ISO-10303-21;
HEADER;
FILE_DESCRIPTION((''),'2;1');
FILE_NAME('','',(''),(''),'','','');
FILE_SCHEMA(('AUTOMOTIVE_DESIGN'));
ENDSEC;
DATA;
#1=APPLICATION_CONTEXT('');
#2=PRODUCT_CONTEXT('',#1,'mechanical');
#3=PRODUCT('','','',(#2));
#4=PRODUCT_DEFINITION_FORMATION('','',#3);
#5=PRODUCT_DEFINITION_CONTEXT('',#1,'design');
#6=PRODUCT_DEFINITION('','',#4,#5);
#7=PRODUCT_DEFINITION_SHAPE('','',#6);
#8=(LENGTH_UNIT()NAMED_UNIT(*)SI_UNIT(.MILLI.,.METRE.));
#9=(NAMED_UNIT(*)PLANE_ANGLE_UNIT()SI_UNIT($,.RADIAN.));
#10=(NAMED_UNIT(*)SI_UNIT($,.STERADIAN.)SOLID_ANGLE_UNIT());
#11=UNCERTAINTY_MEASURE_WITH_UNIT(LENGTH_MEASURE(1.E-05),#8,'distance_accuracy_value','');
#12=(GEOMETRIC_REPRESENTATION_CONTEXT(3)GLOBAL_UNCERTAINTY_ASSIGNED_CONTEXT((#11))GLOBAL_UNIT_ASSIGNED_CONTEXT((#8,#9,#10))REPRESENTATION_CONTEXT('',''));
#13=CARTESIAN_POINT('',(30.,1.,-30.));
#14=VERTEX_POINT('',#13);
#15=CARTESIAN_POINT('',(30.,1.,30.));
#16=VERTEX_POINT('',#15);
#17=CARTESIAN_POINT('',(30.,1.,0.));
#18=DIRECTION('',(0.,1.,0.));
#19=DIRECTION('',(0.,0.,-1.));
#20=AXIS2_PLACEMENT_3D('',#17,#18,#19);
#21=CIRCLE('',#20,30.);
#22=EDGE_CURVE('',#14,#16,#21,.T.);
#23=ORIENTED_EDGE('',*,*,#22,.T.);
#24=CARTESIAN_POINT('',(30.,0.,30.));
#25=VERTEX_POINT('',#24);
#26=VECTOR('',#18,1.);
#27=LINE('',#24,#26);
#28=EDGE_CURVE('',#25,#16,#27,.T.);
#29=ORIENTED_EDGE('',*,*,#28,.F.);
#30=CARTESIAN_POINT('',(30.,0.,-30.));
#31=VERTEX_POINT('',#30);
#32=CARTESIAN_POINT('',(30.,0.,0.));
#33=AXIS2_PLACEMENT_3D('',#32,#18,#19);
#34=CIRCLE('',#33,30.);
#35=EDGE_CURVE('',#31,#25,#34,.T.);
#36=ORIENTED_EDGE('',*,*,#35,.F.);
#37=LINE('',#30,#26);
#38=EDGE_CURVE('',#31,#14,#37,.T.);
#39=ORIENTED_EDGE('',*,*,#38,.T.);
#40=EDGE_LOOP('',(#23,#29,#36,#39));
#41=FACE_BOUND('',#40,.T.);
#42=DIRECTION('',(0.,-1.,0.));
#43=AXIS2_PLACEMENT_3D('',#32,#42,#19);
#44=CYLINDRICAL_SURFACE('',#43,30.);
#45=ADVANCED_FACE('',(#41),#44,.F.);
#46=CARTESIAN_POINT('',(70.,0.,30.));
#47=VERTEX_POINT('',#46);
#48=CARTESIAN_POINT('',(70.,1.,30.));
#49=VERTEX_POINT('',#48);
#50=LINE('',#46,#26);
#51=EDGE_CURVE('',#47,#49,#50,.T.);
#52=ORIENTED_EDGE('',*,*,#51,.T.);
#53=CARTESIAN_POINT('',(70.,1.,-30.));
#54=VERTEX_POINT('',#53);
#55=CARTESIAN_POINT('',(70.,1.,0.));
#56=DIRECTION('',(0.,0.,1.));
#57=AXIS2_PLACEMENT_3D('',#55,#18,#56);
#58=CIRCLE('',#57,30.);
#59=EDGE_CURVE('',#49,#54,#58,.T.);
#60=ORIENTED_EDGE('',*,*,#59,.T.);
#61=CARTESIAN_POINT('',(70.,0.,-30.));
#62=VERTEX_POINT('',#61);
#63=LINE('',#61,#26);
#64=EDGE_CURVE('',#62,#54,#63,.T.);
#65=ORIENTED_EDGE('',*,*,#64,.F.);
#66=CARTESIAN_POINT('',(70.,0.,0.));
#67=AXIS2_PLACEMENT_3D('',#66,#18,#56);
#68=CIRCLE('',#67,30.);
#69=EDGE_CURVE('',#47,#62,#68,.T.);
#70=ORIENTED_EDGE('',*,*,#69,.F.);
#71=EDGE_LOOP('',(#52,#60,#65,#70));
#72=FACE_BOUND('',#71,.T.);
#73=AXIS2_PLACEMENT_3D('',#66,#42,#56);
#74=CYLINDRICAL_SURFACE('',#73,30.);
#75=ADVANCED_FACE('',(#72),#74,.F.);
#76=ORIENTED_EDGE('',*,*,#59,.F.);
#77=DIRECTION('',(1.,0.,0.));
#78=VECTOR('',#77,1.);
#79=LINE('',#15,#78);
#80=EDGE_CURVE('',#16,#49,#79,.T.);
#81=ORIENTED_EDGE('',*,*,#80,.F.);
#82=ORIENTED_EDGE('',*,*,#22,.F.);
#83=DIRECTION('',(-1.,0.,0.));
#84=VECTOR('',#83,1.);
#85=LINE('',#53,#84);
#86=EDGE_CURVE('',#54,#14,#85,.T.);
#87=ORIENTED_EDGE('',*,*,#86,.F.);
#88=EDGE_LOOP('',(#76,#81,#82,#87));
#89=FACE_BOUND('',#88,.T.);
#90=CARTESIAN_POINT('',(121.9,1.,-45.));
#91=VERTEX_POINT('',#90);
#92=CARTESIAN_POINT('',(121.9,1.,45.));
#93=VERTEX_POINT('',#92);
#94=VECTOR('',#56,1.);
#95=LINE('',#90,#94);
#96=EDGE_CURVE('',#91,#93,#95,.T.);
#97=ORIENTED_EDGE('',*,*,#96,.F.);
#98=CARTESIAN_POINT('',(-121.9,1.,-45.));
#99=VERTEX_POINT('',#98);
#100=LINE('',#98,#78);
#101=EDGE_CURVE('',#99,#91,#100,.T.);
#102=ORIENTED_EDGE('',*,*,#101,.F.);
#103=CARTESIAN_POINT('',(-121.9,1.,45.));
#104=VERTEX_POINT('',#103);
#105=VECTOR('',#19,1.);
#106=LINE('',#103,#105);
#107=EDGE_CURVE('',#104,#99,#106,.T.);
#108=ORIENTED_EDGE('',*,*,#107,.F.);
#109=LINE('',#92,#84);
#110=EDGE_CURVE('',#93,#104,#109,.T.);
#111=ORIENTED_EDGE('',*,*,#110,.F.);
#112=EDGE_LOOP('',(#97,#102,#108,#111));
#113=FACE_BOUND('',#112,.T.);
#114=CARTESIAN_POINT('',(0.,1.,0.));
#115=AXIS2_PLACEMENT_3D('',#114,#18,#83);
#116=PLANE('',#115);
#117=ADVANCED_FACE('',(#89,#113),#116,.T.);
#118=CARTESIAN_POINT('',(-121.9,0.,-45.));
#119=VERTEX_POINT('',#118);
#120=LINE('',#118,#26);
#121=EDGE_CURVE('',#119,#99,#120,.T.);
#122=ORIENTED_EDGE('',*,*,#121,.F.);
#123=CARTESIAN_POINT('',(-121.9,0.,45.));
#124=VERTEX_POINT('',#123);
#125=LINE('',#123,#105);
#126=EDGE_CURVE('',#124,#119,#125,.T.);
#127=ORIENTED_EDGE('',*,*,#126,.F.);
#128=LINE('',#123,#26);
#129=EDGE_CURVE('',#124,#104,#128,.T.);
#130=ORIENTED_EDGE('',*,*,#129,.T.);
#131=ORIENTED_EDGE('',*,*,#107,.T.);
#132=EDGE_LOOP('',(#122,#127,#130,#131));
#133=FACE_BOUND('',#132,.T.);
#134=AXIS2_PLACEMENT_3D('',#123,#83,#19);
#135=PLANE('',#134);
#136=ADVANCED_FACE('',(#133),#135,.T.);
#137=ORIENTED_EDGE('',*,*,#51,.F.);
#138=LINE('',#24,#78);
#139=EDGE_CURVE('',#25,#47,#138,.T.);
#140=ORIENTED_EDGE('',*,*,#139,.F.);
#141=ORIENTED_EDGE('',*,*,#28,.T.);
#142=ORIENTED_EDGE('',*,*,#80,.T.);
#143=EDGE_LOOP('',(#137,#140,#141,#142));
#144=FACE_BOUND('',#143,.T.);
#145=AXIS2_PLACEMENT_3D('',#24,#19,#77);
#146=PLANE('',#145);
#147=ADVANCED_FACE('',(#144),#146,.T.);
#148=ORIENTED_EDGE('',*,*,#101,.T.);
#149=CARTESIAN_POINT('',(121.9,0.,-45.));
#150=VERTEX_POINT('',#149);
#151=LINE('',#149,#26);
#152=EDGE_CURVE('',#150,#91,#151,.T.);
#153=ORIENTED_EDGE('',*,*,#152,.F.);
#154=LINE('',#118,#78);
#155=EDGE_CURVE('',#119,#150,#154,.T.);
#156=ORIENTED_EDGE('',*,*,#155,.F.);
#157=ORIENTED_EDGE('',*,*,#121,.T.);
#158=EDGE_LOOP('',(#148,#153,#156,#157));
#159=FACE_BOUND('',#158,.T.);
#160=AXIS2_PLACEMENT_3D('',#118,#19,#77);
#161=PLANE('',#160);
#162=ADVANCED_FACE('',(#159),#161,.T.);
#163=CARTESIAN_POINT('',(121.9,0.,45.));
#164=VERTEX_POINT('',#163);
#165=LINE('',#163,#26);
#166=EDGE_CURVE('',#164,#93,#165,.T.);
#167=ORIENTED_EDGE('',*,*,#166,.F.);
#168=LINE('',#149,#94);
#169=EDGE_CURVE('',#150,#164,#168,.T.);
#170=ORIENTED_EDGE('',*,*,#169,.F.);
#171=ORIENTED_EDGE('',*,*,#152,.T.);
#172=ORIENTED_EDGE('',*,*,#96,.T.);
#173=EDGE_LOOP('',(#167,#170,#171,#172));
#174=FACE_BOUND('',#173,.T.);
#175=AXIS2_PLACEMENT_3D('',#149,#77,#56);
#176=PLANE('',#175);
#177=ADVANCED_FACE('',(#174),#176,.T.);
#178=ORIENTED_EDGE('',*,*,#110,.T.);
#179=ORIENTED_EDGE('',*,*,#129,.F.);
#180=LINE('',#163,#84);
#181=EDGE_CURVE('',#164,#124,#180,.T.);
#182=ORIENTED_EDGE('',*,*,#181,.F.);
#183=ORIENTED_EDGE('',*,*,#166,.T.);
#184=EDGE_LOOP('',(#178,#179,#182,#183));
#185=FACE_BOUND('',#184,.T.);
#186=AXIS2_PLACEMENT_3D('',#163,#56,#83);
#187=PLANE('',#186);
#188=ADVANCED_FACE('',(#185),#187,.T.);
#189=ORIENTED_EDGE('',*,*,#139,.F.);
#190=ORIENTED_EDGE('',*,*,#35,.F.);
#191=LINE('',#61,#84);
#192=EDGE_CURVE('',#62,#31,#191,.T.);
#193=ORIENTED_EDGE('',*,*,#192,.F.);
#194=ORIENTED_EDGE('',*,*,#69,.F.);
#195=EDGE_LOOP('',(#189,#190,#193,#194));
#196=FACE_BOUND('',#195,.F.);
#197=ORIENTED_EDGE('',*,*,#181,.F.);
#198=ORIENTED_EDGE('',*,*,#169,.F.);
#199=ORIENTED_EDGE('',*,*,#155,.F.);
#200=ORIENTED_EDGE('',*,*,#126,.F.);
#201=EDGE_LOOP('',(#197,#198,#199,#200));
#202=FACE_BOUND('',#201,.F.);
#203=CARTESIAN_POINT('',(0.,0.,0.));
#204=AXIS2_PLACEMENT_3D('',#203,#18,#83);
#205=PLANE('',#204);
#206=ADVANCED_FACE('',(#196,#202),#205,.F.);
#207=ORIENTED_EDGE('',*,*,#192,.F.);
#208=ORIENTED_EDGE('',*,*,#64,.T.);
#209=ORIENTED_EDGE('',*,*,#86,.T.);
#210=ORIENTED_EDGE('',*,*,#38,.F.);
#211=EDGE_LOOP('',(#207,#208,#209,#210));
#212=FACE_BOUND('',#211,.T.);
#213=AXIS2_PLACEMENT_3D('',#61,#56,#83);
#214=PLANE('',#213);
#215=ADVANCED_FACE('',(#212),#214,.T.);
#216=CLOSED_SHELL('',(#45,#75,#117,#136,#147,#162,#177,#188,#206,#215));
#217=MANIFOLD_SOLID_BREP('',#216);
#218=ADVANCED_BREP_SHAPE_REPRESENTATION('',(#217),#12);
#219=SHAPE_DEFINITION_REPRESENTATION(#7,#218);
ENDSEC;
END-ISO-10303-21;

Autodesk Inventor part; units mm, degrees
ref_plane "YZ Plane" through (0, 0, 0) normal (1, 0, 0) x (0, 1, 0)
ref_plane "XZ Plane" through (0, 0, 0) normal (0, 1, 0) x (-1, 0, 0)
ref_plane "XY Plane" through (0, 0, 0) normal (0, 0, 1) x (1, 0, 0)
sketch "Sketch1" plane through (0, 0, 0) normal (0, 1, 0) x (-1, 0, 0)
  line L0 (-121.9, 45) -> (121.9, 45)
  line L1 (121.9, 45) -> (121.9, -45)
  line L2 (121.9, -45) -> (-121.9, -45)
  line L3 (-121.9, -45) -> (-121.9, 45)
  line L4 (-121.9, 45) -> (121.9, -45) construction
  line L5 (121.9, 45) -> (-121.9, -45) construction
  line L6 (0, 0) -> (-100, 0) construction
  line L7 (-30, 30) -> (-70, 30)
  line L8 (-70, -30) -> (-30, -30)
  arc A0 (-30, -30) -> (-30, 30) centre (-30, 0) ccw
  arc A1 (-70, 30) -> (-70, -30) centre (-70, 0) ccw
  point P0 (-50, 0)
  dimension "d0" = 243.8
  dimension "d1" = 90
  dimension "d2" = 100
  dimension "d4" = 30
  dimension "d5" = 21.9
extrude "Extrusion1" add sketch "Sketch1" along normal blind 1
properties part number "Cabin Roof" material "Steel, Mild"
